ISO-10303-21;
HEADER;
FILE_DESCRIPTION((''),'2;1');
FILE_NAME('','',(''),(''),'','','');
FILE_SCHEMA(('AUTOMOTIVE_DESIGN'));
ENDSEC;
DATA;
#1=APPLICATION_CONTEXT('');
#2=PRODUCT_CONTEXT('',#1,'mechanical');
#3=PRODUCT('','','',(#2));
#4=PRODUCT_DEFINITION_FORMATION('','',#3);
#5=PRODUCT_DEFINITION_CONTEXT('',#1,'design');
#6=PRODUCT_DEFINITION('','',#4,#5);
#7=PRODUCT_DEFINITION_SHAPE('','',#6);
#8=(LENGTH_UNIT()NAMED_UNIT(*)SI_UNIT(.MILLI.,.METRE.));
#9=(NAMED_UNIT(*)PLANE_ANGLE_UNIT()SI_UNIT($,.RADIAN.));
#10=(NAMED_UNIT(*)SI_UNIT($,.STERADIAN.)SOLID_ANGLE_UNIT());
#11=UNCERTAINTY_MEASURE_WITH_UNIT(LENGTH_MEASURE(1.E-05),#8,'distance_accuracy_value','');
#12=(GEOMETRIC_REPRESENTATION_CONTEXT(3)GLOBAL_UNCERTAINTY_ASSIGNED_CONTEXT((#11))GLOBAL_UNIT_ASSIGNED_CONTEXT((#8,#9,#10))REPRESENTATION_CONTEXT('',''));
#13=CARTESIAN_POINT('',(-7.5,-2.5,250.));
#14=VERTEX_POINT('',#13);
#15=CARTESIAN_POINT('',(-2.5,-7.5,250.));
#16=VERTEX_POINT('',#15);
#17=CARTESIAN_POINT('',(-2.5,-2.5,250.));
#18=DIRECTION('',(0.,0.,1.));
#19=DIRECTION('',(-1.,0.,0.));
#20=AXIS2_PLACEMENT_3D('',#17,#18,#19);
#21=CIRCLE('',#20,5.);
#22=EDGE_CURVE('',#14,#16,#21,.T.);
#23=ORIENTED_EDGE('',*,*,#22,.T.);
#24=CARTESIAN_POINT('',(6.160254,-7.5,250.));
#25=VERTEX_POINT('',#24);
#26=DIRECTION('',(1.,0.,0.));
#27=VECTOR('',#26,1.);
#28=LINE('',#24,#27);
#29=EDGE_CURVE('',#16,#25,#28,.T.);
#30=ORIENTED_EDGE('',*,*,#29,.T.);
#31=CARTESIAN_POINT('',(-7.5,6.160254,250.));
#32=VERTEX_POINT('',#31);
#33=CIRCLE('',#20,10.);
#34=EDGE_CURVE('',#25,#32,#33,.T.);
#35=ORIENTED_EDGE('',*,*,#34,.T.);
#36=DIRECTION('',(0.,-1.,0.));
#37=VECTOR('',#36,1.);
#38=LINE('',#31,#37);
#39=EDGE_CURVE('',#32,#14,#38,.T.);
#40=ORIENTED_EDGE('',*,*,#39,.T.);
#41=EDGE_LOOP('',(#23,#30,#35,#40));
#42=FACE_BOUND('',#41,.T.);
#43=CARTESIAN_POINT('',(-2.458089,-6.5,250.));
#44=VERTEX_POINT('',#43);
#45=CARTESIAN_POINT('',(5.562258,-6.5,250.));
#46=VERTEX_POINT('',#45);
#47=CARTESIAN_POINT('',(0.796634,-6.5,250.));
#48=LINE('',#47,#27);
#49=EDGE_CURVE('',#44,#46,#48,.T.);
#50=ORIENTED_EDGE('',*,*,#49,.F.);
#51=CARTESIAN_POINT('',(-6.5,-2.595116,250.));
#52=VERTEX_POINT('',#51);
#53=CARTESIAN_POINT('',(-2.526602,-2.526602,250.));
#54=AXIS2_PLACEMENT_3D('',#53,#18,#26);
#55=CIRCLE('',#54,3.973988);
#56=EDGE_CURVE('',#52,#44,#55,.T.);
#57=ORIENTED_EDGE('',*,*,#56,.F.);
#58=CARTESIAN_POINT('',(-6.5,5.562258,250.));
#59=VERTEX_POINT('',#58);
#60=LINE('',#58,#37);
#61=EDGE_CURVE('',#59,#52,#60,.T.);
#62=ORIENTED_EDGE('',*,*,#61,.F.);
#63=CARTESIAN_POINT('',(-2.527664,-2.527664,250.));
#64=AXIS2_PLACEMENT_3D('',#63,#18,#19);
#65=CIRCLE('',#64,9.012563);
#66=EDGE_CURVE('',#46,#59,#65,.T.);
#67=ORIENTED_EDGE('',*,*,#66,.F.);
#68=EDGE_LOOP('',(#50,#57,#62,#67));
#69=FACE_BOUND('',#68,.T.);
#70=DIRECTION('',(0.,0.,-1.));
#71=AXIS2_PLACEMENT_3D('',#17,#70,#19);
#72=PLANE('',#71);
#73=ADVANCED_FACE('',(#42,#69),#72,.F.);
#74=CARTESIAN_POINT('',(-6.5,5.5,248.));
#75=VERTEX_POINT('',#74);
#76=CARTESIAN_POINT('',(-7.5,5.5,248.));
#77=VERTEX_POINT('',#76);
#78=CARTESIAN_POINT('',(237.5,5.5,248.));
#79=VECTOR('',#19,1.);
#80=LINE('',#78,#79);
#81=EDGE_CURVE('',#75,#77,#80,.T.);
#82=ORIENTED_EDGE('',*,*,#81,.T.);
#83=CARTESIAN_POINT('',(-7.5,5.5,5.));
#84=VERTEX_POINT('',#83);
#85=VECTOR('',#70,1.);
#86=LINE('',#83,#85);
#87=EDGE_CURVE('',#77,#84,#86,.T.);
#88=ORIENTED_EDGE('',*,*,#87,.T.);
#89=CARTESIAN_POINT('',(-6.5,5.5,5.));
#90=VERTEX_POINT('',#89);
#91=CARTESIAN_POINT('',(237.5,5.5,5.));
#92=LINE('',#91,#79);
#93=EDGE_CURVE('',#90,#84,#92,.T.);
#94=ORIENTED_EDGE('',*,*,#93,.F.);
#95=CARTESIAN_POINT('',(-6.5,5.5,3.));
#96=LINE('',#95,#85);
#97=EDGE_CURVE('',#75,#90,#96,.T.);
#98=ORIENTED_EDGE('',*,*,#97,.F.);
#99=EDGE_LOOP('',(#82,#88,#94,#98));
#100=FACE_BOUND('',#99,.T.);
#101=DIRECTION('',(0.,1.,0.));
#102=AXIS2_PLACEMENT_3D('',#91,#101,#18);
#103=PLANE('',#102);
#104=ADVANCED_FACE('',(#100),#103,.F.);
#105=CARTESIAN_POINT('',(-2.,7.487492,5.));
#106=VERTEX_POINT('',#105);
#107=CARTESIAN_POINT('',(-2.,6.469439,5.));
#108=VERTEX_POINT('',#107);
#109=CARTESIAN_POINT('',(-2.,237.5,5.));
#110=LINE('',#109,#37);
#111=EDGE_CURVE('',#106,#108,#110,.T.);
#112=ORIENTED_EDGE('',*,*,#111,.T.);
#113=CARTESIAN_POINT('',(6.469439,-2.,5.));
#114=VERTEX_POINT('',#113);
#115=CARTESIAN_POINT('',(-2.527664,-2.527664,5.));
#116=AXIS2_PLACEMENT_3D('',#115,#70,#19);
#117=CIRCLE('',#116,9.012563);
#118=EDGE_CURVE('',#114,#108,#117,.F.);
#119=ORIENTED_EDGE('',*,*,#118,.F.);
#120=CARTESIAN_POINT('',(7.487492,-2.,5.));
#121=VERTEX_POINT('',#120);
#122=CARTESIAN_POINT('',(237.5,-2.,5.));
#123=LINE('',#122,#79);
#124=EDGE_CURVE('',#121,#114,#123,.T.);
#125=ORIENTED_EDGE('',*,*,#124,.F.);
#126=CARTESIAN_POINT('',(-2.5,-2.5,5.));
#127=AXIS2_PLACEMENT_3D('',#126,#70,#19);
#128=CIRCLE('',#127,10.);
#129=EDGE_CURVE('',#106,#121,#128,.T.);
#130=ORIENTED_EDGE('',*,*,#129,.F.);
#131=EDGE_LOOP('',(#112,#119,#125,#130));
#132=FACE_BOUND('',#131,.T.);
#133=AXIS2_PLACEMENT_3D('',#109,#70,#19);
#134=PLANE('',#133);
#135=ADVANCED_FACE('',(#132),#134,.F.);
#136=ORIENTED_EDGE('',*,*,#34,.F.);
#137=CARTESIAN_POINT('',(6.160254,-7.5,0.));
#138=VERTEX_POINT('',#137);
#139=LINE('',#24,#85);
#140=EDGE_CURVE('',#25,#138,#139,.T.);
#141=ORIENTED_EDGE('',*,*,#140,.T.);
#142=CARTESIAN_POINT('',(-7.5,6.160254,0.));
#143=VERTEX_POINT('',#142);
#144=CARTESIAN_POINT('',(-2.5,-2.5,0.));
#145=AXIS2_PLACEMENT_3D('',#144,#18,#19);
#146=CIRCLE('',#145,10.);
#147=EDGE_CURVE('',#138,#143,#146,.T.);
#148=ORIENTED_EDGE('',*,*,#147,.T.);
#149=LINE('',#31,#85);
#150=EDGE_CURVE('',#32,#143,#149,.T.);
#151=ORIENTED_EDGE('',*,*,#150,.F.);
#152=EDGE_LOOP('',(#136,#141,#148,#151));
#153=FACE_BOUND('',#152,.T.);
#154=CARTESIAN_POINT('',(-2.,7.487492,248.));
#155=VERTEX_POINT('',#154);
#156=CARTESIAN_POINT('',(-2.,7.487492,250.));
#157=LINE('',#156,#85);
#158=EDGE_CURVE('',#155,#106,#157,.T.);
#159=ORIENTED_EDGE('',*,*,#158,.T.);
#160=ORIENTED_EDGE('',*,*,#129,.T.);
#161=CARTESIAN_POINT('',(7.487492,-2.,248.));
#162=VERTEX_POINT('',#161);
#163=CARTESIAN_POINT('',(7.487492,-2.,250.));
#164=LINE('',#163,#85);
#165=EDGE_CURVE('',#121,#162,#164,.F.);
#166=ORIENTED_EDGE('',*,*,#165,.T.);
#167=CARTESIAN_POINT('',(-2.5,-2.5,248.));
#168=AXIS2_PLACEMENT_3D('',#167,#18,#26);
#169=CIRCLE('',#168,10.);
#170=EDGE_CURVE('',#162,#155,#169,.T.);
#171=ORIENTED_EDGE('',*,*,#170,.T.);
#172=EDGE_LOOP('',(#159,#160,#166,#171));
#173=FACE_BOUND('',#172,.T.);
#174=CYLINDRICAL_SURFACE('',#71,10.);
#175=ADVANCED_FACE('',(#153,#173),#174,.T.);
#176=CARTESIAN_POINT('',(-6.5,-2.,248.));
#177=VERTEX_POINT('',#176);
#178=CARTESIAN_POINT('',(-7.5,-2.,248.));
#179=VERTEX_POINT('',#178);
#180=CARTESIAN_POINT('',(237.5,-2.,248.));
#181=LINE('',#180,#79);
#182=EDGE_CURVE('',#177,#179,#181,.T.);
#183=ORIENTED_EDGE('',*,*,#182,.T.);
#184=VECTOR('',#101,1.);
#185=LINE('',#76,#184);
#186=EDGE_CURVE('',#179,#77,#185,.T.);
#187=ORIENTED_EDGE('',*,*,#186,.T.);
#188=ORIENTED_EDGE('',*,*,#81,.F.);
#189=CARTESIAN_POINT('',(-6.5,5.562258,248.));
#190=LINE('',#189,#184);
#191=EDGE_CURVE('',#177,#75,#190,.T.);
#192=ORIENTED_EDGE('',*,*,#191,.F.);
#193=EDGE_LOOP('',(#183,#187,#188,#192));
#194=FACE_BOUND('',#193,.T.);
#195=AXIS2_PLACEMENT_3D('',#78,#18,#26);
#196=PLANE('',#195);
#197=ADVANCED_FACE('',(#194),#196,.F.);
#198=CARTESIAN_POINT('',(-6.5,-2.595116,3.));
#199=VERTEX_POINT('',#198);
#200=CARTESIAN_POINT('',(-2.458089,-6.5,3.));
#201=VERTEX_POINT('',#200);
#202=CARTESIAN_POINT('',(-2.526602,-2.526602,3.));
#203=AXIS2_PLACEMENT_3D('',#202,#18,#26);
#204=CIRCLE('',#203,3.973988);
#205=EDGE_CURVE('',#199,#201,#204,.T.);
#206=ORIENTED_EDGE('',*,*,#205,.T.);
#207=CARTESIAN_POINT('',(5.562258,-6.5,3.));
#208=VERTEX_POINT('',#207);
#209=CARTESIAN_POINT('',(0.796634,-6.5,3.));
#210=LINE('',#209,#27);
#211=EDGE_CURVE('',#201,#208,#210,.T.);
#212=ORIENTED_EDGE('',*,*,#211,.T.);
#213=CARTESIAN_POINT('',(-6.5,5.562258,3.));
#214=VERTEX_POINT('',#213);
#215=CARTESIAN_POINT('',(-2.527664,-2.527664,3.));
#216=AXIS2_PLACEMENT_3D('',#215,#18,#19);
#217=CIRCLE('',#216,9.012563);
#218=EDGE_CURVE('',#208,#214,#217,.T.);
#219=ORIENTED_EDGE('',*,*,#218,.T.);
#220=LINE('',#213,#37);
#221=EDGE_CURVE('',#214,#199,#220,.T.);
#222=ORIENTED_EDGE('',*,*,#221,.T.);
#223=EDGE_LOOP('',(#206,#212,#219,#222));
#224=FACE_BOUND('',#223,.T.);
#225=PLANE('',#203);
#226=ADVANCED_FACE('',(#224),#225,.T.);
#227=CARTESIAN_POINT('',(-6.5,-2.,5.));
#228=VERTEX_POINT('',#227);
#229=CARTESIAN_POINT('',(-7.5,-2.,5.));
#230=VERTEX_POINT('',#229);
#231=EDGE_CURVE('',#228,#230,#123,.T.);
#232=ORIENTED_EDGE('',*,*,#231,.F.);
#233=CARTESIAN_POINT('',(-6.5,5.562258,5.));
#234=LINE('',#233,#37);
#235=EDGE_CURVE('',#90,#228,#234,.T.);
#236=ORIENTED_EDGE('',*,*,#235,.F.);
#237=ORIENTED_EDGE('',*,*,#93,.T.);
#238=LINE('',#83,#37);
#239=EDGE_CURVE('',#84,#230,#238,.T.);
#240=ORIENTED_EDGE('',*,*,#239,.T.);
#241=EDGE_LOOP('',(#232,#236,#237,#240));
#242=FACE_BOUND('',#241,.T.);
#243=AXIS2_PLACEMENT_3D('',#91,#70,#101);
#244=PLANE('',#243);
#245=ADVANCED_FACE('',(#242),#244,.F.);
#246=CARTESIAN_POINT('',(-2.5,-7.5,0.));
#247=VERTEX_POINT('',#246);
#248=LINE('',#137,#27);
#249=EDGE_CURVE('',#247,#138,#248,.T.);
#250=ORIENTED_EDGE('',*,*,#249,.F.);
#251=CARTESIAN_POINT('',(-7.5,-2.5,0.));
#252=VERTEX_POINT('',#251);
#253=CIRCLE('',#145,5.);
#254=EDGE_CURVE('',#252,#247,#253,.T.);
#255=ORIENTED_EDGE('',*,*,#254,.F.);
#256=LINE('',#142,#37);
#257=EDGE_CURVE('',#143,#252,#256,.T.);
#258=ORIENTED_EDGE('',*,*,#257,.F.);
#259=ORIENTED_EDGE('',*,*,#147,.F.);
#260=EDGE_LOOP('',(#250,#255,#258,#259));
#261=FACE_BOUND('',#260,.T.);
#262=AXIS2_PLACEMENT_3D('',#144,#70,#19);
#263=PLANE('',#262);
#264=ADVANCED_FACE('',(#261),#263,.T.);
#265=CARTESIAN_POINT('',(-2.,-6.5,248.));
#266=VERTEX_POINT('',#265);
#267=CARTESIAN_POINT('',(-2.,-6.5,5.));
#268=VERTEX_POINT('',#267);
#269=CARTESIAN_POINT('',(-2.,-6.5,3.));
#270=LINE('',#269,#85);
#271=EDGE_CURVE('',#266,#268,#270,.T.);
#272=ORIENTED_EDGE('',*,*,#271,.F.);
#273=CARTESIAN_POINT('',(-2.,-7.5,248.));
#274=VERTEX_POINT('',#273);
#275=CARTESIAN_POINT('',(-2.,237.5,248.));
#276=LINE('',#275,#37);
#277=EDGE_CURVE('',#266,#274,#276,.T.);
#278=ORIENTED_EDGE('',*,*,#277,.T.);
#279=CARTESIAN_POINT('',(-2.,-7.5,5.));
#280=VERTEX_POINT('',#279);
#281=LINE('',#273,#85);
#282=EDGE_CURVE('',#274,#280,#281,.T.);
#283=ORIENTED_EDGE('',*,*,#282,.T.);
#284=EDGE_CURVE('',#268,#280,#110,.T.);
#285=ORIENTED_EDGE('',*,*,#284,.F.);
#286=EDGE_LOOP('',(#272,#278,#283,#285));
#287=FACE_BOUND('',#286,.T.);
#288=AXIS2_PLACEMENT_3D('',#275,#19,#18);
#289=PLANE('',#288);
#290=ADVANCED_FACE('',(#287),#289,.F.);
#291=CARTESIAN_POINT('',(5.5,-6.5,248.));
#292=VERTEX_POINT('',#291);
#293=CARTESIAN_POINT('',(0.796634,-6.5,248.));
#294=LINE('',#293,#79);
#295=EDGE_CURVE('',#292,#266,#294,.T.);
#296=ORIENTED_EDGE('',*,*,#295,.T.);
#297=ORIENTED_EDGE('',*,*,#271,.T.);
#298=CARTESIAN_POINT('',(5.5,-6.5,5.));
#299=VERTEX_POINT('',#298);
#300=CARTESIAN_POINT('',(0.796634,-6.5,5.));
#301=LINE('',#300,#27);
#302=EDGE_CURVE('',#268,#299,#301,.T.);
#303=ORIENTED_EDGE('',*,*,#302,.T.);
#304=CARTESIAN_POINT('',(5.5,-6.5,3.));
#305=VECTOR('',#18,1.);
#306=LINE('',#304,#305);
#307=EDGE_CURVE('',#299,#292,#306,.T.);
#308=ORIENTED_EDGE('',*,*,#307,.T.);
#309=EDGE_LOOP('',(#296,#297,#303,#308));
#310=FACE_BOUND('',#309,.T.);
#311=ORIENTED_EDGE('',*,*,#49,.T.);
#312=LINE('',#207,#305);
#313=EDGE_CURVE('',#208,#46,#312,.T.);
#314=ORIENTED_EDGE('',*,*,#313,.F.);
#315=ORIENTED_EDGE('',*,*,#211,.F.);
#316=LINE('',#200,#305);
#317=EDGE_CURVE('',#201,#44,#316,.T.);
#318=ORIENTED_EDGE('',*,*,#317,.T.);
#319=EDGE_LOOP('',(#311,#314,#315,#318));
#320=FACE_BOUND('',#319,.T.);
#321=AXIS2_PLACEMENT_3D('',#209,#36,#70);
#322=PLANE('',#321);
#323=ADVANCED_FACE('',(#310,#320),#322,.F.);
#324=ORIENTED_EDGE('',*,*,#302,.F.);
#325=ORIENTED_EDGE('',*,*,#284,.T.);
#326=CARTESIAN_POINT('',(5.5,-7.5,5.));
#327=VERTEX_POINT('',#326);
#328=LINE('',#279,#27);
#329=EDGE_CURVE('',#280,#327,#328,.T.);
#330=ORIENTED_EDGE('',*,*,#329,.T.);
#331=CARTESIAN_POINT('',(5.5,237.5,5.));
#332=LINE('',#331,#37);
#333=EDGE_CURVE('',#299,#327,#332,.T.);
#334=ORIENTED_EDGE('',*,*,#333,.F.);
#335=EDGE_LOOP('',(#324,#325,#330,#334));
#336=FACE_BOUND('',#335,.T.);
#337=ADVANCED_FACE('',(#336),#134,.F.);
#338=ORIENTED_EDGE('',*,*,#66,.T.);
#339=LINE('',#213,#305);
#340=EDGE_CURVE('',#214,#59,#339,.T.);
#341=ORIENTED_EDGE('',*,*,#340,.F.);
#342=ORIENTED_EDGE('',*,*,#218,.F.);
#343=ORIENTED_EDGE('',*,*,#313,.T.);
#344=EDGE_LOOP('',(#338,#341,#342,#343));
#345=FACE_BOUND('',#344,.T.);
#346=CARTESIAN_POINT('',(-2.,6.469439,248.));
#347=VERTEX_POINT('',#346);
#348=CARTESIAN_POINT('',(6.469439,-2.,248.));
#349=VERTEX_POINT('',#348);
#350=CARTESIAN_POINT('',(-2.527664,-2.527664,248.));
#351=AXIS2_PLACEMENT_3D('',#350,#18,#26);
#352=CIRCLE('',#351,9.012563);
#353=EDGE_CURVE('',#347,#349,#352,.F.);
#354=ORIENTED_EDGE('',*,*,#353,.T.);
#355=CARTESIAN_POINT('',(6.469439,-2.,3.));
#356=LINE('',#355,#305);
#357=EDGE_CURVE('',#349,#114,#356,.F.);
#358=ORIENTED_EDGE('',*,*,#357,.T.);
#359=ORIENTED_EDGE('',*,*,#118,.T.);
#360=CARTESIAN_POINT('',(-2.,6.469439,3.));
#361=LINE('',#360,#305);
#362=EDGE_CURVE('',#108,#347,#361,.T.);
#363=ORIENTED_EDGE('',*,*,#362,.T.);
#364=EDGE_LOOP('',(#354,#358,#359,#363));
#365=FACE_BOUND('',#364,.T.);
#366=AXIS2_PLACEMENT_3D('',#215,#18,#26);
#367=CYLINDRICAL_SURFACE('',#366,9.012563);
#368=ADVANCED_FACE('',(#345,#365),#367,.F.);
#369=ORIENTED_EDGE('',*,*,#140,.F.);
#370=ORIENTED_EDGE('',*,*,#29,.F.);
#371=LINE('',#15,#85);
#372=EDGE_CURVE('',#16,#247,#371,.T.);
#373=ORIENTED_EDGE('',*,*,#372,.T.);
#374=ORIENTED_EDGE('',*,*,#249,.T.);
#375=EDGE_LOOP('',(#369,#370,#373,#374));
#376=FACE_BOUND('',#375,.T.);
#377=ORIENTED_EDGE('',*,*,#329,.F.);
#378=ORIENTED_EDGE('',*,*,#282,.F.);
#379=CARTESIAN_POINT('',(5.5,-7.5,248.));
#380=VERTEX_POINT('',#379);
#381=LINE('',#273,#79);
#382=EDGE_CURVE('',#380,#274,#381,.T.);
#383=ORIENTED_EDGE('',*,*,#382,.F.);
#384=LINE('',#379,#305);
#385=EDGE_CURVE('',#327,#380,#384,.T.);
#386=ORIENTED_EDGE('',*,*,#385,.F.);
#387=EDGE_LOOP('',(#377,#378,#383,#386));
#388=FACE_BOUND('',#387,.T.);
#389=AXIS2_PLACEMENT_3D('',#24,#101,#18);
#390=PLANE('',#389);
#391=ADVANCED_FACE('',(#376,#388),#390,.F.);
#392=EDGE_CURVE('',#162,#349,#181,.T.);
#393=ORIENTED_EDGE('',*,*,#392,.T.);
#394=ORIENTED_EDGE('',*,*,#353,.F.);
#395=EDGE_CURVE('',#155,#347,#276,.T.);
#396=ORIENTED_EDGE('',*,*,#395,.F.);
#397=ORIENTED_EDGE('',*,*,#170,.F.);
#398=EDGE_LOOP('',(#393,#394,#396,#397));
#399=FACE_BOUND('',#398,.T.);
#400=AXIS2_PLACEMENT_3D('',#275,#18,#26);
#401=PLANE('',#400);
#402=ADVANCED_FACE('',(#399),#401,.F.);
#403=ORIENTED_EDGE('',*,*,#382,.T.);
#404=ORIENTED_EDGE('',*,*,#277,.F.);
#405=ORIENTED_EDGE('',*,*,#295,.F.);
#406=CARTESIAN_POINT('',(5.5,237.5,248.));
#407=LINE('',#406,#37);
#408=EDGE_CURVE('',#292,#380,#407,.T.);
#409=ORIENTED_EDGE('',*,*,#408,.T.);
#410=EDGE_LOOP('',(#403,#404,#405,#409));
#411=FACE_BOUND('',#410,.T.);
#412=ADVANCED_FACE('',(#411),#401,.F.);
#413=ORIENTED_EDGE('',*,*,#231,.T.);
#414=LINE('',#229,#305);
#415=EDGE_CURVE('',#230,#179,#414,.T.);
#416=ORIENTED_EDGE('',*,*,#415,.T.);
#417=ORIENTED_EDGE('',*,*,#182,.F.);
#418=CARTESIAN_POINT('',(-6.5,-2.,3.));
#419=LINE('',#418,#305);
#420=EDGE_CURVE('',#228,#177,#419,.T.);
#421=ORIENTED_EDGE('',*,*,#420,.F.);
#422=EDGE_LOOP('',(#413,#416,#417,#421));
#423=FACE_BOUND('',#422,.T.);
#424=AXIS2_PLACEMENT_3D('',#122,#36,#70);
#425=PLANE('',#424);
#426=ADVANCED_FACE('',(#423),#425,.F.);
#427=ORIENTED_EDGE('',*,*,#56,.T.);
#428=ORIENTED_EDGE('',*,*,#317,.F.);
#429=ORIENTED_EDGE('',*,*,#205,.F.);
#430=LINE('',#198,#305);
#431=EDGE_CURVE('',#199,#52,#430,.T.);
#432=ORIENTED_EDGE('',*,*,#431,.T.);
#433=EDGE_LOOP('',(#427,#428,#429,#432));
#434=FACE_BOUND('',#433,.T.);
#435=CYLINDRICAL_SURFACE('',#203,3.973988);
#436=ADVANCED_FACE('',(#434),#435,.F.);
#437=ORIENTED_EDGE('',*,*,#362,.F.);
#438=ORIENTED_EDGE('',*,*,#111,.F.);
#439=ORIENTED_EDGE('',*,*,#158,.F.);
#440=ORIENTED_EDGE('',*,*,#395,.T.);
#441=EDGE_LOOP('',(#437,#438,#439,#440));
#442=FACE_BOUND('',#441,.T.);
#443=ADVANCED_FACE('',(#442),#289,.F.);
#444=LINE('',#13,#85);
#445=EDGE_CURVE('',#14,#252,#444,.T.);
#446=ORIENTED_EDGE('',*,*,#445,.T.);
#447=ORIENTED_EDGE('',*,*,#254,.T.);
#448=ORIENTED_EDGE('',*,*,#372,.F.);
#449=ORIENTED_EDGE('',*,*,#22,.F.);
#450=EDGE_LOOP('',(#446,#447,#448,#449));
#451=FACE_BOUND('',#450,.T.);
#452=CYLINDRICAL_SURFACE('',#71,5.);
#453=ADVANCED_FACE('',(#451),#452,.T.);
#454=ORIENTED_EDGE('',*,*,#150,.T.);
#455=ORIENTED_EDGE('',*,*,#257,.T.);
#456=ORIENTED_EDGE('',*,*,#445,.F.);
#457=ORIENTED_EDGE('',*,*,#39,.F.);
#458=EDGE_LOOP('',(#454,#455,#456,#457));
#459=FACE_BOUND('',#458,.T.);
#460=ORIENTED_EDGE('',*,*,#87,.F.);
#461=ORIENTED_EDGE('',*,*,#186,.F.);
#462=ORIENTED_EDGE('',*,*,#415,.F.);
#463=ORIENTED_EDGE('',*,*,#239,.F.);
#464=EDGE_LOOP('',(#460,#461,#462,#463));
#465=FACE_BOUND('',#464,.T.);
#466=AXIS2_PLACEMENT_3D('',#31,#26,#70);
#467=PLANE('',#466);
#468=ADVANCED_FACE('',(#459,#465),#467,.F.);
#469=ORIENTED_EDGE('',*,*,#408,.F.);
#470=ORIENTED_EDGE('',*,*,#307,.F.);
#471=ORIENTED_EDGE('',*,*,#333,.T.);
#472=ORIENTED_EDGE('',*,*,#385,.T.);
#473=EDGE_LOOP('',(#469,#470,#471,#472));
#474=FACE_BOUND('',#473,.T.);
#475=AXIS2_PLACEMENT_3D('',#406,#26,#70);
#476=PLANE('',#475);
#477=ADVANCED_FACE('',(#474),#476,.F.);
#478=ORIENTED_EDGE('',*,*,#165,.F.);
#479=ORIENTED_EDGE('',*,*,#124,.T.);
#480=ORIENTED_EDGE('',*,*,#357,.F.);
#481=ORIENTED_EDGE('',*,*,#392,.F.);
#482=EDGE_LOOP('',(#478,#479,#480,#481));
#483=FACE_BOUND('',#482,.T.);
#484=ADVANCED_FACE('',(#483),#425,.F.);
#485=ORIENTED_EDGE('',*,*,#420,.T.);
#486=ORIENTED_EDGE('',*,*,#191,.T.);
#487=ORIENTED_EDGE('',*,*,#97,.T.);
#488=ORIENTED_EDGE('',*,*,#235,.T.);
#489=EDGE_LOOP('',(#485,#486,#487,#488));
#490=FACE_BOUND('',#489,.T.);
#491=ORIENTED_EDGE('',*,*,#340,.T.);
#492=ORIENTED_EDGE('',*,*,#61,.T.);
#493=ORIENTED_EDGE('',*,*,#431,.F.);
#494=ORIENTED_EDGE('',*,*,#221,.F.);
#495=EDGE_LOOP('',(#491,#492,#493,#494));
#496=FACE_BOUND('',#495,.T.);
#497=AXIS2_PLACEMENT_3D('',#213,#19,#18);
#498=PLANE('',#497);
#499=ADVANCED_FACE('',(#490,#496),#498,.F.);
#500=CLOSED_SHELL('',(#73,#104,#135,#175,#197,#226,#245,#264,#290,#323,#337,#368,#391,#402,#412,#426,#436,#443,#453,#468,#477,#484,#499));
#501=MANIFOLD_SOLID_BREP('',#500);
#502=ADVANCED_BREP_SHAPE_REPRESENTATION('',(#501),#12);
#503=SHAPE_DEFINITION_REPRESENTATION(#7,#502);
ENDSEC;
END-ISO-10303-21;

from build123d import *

# Parameters (mm, degrees)
RESSALTO_EXTRUS_O1_DEPTH = 250
CORTE_EXTRUS_O1_DEPTH    = 247
ESBO_O4_W                = 7.5
ESBO_O4_H                = 243
CORTE_EXTRUS_O2_DEPTH    = 245
ESBO_O5_W                = 243
ESBO_O5_H                = 7.5
CORTE_EXTRUS_O3_DEPTH    = 245


with BuildPart() as part:
    # Esboço2 → Ressalto-extrusão1 (new body)
    with BuildSketch(Plane.XY):
        with BuildLine():
            Line((-7.5, 6.160254038), (-7.5, -2.5))
            ThreePointArc((-7.5, -2.5), (-6.035533906, -6.035533906), (-2.5, -7.5))
            Line((-2.5, -7.5), (6.160254038, -7.5))
            ThreePointArc((6.160254038, -7.5), (4.571067812, 4.571067812), (-7.5, 6.160254038))
        make_face()
    extrude(amount=RESSALTO_EXTRUS_O1_DEPTH)

    # Esboço3 → Corte-extrusão1 (cut)
    with BuildSketch(Plane.XY.offset(250)):
        with BuildLine():
            Line((-6.5, 5.562257748), (-6.5, -2.595115556))
            ThreePointArc((-6.5, -2.595115556), (-5.287772695, -5.384664894), (-2.458089295, -6.5))
            Line((-2.458089295, -6.5), (0.796633642, -6.5))
            Line((0.796633642, -6.5), (5.562257748, -6.5))
            ThreePointArc((5.562257748, -6.5), (3.845180245, 3.845180245), (-6.5, 5.562257748))
        make_face()
    extrude(amount=-CORTE_EXTRUS_O1_DEPTH, mode=Mode.SUBTRACT)

    # Esboço4 → Corte-extrusão2 (cut)
    with BuildSketch(Plane.XZ.offset(7.5)):
        with Locations((1.75, 126.5)):
            Rectangle(ESBO_O4_W, ESBO_O4_H)
    extrude(amount=-CORTE_EXTRUS_O2_DEPTH, mode=Mode.SUBTRACT)

    # Esboço5 → Corte-extrusão3 (cut)
    with BuildSketch(Plane.ZY.offset(7.5)):
        with Locations((126.5, 1.75)):
            Rectangle(ESBO_O5_W, ESBO_O5_H)
    extrude(amount=-CORTE_EXTRUS_O3_DEPTH, mode=Mode.SUBTRACT)


solid = part.part
